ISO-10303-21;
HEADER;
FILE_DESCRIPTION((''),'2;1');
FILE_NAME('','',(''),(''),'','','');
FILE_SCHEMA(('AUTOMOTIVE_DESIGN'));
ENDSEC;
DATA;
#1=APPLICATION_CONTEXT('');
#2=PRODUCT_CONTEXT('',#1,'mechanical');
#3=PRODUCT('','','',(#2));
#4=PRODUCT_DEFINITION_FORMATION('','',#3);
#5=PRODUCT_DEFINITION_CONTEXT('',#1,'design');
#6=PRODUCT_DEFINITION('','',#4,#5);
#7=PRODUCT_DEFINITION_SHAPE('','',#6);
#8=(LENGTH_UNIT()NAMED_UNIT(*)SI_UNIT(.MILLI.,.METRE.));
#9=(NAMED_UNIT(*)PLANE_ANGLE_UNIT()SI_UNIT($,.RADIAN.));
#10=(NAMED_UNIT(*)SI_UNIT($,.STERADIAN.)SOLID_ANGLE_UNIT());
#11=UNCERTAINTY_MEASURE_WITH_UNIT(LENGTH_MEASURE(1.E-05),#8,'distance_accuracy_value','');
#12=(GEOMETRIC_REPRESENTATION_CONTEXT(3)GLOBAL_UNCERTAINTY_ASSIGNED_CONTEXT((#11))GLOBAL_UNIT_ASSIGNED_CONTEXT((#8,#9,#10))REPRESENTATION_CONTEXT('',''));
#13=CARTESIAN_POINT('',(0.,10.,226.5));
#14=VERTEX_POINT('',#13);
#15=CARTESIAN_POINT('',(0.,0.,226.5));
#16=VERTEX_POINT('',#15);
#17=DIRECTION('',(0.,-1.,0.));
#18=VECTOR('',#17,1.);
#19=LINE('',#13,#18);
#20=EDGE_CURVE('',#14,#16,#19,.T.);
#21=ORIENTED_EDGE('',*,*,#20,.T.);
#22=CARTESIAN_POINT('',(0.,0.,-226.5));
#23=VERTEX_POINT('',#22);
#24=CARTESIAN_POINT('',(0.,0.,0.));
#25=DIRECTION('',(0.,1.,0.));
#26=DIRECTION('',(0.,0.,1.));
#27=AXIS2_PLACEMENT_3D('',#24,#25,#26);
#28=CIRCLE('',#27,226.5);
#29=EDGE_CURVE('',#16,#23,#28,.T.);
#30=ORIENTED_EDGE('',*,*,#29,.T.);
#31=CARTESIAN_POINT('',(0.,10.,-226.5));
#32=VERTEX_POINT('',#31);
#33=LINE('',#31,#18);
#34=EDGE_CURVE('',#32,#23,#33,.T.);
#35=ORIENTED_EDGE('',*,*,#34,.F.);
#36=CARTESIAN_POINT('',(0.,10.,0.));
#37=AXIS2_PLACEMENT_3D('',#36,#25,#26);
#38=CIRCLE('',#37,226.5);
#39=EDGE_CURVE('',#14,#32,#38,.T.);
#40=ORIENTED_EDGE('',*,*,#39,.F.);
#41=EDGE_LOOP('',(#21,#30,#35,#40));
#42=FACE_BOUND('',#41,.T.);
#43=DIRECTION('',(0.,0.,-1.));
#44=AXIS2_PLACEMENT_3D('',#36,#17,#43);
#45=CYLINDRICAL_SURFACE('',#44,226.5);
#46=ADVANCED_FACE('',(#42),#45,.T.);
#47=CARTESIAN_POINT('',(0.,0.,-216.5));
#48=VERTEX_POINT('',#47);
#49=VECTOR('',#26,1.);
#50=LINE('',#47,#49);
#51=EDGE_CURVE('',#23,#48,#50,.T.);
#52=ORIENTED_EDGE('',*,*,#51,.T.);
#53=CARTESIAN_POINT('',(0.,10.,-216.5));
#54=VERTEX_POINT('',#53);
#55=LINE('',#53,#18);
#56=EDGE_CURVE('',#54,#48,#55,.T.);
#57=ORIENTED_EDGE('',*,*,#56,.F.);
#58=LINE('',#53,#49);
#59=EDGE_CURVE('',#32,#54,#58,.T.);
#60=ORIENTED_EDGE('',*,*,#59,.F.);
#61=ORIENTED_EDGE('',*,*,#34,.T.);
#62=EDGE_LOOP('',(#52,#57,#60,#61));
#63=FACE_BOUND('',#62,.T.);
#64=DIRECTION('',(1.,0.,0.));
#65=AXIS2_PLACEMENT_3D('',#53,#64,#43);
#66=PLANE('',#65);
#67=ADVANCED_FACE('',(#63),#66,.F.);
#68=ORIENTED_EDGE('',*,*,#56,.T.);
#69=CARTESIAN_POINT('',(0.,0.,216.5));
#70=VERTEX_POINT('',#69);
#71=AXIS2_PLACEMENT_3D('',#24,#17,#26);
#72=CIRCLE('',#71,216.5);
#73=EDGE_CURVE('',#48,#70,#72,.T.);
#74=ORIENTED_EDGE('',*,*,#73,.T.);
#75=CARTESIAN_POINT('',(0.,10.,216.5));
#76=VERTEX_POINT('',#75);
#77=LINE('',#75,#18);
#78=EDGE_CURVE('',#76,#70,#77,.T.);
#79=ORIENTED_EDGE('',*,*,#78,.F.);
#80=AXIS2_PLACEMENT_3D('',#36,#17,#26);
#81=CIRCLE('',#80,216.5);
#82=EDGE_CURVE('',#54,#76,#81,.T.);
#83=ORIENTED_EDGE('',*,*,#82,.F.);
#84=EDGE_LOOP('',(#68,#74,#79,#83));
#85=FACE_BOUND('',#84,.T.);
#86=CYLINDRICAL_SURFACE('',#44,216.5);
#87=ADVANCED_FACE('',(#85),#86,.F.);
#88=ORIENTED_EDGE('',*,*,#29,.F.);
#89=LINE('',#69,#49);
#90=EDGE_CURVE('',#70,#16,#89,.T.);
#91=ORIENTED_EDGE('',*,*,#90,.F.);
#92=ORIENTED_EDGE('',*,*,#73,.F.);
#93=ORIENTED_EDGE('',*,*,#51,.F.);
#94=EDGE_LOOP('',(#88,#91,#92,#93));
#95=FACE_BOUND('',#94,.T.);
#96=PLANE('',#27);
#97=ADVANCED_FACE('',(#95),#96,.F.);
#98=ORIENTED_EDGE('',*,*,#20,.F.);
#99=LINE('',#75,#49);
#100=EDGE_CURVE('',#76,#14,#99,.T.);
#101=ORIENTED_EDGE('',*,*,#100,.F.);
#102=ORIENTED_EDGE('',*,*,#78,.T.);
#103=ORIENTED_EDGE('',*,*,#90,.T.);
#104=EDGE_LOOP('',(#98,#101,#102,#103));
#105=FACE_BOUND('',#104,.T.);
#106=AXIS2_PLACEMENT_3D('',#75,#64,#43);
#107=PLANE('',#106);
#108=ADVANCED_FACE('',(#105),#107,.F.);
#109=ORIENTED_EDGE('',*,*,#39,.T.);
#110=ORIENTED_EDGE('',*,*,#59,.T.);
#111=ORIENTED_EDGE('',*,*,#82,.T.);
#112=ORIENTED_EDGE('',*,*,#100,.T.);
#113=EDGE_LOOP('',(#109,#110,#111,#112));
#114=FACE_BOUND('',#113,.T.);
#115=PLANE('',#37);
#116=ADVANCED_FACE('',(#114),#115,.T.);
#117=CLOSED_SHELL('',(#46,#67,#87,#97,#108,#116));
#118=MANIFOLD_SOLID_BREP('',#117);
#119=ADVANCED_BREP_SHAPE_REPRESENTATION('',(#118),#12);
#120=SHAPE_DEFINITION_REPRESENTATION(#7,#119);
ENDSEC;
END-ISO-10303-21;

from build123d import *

# Parameters (mm, degrees)
DODANIE_WYCI_GNI_CIE1_DEPTH = 10


with BuildPart() as part:
    # Szkic1 → Dodanie-wyciągnięcie1 (new body)
    with BuildSketch(Plane(origin=(0, 0, 0), x_dir=(1, 0, 0), z_dir=(0, 1, 0))):
        with BuildLine():
            Line((0, 216.5), (0, 226.5))
            ThreePointArc((0, 226.5), (226.5, 0), (0, -226.5))
            Line((0, -226.5), (0, -216.5))
            ThreePointArc((0, -216.5), (216.5, 0), (0, 216.5))
        make_face()
    extrude(amount=DODANIE_WYCI_GNI_CIE1_DEPTH)


solid = part.part
